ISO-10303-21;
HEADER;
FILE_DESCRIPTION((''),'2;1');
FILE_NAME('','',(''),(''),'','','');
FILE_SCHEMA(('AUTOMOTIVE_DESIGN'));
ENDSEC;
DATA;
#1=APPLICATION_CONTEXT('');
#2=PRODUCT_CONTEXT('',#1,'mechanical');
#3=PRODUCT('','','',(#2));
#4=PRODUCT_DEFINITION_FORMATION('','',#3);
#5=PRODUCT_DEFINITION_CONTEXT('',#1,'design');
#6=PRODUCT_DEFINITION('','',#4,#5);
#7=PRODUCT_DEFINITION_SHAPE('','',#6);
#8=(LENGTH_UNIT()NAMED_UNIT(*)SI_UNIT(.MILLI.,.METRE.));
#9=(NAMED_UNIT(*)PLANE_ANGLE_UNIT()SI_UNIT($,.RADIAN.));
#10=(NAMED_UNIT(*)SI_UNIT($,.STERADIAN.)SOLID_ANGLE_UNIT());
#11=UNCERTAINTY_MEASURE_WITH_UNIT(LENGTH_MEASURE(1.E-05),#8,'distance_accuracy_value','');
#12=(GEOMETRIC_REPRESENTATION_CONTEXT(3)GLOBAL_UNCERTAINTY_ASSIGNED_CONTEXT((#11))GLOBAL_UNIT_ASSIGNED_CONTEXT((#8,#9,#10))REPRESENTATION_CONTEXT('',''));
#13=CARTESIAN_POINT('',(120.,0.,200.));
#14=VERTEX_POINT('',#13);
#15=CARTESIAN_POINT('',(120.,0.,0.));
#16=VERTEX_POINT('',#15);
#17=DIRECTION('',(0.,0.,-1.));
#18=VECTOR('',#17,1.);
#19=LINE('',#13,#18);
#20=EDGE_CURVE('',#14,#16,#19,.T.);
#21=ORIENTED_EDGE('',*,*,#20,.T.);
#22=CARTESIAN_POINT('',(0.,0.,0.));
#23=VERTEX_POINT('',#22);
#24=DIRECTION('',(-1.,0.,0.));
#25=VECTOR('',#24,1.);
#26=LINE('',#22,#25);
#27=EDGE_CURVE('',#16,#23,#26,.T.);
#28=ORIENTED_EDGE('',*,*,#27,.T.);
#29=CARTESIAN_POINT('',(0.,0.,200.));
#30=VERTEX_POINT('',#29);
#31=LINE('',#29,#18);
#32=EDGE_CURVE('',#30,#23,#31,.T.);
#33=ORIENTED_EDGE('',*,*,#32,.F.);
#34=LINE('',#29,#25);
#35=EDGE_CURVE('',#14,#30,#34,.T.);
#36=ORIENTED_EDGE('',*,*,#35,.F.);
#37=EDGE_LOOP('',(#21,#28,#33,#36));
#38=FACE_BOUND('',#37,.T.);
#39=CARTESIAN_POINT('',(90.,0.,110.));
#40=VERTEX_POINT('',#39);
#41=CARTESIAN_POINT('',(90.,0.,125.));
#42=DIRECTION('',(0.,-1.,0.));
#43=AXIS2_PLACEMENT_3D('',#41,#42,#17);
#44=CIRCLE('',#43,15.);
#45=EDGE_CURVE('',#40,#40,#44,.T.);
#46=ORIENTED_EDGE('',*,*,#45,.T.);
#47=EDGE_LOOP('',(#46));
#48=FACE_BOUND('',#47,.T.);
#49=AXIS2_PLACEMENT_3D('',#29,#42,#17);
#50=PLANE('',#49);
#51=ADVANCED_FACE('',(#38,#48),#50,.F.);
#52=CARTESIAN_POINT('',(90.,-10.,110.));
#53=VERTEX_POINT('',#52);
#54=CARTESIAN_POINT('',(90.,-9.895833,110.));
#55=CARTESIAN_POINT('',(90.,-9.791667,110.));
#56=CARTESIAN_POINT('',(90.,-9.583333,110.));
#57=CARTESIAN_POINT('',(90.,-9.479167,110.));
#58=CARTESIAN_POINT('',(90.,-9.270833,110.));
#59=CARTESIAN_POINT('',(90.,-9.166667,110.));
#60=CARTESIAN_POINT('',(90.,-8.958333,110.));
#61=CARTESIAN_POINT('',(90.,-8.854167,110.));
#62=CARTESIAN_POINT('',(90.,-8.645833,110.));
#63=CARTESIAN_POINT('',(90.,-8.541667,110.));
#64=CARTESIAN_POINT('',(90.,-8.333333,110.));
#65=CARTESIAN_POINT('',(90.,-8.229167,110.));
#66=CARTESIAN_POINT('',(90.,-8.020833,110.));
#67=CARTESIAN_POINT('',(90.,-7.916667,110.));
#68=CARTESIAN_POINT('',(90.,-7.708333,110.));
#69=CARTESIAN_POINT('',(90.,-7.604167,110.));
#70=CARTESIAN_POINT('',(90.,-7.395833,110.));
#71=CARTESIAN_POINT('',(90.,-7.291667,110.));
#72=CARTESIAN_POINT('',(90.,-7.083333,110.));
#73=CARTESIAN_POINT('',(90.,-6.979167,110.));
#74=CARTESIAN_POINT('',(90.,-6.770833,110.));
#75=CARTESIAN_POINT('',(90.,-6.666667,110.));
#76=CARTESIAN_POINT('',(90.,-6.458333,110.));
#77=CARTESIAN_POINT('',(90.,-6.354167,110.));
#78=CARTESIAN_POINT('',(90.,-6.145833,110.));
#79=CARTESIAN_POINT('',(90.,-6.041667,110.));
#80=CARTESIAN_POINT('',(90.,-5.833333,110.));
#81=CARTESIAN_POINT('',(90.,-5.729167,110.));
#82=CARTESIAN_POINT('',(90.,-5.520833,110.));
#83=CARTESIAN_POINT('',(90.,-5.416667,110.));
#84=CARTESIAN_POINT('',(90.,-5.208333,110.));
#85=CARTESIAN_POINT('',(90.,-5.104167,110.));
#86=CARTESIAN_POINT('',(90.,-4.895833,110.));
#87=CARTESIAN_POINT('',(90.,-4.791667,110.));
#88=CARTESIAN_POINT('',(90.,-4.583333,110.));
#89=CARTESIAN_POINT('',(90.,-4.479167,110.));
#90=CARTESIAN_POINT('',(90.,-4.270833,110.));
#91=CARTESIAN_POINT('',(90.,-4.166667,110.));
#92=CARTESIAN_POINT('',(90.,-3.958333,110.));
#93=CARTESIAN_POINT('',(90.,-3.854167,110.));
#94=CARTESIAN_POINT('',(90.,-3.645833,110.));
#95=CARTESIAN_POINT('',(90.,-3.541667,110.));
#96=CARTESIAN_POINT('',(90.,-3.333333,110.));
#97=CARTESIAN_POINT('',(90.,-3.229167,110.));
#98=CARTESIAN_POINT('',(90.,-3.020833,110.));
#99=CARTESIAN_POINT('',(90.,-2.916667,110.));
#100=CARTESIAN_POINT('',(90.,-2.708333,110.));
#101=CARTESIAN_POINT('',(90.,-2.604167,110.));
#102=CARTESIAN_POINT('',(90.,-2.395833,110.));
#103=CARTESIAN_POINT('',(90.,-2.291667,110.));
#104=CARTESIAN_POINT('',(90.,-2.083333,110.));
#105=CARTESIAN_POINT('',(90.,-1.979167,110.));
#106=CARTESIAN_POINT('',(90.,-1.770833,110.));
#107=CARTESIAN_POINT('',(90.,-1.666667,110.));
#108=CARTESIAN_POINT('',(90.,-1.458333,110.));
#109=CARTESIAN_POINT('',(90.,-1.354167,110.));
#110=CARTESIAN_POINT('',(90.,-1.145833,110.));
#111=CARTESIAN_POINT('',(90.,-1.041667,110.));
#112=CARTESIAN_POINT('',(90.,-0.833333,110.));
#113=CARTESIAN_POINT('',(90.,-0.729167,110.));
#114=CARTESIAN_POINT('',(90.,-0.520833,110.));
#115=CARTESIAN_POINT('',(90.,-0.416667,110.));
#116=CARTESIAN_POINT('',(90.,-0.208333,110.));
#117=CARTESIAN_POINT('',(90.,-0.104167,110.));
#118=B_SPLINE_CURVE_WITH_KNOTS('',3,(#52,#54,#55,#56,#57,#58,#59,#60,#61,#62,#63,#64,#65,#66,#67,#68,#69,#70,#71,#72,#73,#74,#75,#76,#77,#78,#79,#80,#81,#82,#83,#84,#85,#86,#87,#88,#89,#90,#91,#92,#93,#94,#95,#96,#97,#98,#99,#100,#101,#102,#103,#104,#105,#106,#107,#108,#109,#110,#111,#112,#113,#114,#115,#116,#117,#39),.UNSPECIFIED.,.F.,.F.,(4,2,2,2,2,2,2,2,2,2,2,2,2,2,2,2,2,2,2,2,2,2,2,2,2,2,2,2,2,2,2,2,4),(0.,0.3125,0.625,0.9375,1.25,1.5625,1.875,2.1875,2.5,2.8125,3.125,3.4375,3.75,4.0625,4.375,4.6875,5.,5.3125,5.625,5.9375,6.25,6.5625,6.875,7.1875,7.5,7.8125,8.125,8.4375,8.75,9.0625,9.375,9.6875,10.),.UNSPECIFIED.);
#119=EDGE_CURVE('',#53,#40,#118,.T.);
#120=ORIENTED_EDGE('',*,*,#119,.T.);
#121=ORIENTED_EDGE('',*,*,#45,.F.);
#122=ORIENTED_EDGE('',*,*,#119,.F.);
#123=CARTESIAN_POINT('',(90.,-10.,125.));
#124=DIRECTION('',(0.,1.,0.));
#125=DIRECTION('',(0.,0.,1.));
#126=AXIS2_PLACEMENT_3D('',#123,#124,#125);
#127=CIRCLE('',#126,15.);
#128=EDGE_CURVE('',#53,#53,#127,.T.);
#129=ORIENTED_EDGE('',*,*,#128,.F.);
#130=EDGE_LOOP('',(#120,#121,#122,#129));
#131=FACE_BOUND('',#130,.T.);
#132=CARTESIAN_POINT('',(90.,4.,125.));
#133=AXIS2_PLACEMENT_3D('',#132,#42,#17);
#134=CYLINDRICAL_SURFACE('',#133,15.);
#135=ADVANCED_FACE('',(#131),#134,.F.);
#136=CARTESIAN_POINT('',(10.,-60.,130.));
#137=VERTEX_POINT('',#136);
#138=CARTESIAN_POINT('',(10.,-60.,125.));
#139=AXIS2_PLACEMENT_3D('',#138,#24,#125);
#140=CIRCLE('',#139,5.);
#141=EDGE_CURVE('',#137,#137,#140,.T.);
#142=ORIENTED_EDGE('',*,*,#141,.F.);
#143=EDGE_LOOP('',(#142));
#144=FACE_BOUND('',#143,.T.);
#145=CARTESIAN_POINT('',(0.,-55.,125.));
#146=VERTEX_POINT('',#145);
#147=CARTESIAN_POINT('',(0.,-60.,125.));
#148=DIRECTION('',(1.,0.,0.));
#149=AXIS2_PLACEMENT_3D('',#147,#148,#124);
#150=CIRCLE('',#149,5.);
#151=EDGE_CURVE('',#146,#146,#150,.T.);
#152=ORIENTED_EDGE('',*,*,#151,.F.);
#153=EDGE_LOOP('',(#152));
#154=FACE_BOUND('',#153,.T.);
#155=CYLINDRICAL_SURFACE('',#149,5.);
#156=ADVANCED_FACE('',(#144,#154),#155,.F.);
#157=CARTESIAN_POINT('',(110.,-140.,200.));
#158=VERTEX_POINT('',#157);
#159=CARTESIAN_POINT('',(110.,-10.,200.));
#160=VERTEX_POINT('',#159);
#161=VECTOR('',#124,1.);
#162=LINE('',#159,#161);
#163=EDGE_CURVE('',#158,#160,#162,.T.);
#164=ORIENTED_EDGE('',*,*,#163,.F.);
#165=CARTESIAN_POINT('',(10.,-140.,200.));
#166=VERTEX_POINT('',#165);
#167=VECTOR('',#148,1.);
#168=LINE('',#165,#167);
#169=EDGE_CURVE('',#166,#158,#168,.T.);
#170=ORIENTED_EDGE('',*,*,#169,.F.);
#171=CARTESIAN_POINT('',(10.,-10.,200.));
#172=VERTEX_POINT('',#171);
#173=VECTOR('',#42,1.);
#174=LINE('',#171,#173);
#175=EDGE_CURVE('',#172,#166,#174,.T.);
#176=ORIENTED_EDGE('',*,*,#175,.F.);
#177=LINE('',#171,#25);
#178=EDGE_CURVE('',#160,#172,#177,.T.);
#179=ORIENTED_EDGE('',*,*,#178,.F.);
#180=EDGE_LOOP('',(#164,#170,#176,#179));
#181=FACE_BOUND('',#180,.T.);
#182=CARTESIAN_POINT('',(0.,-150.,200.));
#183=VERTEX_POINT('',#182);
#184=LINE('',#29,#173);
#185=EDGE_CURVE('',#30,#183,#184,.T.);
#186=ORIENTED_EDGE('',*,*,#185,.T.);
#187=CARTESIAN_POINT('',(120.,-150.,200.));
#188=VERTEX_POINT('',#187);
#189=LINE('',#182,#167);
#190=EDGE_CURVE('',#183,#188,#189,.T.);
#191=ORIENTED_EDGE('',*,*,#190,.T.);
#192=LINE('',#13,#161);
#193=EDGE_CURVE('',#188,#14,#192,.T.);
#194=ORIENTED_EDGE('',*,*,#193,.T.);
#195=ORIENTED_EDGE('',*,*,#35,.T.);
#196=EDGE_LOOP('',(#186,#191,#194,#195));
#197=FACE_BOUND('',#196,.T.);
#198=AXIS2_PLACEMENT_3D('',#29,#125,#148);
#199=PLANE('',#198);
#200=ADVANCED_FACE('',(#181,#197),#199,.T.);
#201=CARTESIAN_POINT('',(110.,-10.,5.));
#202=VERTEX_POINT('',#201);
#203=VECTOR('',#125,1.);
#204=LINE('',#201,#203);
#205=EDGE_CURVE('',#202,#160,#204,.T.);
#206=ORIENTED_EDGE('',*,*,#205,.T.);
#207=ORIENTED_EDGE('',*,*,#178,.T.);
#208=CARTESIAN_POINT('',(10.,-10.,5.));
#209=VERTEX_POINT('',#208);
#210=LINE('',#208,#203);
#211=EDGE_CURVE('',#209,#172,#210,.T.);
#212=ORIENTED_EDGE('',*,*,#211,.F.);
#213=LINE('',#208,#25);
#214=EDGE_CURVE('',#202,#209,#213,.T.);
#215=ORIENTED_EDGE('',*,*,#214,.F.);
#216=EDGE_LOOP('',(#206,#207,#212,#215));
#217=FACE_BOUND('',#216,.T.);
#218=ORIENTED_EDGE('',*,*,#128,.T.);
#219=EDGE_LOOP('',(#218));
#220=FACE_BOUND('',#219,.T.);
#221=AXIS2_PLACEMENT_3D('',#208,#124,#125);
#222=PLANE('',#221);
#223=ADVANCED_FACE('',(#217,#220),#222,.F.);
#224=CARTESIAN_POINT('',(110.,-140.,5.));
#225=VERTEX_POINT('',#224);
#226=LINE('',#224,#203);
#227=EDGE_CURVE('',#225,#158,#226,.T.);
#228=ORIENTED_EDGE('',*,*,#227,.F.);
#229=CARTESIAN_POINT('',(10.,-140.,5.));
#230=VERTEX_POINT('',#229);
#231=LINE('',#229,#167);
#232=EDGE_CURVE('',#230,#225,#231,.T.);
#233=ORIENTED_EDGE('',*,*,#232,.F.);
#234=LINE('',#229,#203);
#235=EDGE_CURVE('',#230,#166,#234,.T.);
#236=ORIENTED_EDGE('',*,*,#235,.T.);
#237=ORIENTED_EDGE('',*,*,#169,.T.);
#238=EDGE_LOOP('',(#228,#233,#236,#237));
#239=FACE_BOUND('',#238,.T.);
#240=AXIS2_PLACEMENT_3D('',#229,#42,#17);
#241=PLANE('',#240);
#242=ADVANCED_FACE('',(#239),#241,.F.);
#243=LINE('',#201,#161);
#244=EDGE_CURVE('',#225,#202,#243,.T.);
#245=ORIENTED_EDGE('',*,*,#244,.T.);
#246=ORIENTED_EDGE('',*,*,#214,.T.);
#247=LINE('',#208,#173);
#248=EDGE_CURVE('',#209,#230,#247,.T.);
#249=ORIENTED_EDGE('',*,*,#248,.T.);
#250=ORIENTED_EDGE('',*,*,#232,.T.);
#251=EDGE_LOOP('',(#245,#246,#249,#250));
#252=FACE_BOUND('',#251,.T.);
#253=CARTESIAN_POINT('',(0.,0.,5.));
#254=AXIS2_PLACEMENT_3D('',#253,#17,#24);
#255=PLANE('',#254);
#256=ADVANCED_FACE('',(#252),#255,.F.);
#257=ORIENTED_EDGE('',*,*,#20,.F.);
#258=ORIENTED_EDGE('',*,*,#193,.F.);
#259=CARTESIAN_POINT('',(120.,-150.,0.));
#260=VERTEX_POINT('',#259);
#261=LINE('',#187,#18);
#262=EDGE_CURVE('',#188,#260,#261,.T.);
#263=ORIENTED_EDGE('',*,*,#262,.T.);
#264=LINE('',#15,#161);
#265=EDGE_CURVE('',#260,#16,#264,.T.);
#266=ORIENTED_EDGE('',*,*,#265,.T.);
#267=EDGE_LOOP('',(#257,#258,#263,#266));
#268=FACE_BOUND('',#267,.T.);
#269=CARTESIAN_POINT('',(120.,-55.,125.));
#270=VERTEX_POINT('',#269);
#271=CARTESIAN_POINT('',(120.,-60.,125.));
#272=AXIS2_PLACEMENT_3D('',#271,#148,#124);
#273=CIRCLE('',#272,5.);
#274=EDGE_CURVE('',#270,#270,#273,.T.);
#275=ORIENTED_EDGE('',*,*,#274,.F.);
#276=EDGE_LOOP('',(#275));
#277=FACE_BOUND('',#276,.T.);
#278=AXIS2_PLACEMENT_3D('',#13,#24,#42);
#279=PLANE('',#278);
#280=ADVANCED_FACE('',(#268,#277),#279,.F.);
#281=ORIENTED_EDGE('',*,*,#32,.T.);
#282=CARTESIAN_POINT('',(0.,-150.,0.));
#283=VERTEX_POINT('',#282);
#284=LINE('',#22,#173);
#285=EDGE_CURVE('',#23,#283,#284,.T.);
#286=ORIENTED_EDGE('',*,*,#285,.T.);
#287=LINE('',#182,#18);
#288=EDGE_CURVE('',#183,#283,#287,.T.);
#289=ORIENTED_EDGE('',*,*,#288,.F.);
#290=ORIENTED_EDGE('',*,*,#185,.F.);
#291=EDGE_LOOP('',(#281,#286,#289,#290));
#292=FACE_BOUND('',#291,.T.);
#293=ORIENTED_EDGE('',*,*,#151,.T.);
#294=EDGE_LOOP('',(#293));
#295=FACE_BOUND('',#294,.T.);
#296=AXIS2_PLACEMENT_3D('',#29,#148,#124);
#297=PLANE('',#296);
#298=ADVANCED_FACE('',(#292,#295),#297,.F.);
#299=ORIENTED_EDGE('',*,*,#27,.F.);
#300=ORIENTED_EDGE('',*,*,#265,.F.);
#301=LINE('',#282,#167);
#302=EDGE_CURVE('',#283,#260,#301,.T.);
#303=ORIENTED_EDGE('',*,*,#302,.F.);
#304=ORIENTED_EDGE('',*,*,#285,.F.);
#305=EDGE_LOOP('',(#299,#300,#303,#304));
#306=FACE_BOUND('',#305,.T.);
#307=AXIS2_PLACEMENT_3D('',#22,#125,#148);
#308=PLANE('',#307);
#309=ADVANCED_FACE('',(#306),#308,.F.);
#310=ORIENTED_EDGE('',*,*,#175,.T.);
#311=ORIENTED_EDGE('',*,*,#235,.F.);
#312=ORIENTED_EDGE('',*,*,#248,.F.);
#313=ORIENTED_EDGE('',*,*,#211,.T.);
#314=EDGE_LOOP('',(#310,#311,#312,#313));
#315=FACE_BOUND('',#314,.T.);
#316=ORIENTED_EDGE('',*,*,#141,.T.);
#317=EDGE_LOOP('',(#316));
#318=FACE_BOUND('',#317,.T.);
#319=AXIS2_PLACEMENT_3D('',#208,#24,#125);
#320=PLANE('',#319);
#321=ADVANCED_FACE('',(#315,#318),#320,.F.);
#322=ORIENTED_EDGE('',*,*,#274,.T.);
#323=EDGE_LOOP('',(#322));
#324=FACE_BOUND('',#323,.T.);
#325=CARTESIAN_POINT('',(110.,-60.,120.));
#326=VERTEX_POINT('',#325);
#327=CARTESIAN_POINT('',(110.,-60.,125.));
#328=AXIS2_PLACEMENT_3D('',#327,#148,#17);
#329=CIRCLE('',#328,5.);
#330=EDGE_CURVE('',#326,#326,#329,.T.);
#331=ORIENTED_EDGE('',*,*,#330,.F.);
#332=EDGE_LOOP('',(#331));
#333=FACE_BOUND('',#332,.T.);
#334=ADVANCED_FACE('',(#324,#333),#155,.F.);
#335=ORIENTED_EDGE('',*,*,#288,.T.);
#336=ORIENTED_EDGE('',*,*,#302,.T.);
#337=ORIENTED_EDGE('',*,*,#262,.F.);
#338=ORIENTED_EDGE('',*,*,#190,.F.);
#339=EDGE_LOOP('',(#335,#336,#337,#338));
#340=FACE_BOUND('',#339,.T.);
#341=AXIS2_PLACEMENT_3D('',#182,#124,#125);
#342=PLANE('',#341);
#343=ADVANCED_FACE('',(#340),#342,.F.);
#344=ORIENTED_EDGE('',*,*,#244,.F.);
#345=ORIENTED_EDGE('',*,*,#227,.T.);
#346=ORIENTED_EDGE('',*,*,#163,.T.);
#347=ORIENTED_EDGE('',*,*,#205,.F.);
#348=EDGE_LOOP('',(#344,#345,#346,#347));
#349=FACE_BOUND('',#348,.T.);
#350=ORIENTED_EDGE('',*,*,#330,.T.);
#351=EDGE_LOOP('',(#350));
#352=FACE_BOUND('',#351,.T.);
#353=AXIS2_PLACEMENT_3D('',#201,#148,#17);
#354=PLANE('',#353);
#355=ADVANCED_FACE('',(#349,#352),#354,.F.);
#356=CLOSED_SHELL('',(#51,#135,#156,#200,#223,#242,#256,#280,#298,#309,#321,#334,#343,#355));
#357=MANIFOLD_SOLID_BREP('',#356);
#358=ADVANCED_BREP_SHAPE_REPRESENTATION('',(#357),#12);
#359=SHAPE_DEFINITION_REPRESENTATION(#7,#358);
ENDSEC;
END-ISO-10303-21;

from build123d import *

# Parameters (mm, degrees)
SKETCH1_W           = 120
SKETCH1_H           = 150
BOSS_EXTRUDE1_DEPTH = 200
SKETCH2_W           = 100
SKETCH2_H           = 130
CUT_EXTRUDE1_DEPTH  = 195
SKETCH3_R           = 5
CUT_EXTRUDE2_DEPTH  = 120
CUT_EXTRUDE3_START  = -130
SKETCH4_R           = 15
CUT_EXTRUDE3_DEPTH  = 24


with BuildPart() as part:
    # Sketch1 → Boss-Extrude1 (new body)
    with BuildSketch(Plane.XY):
        with Locations((60, -75)):
            Rectangle(SKETCH1_W, SKETCH1_H)
    extrude(amount=BOSS_EXTRUDE1_DEPTH)

    # Sketch2 → Cut-Extrude1 (cut)
    with BuildSketch(Plane.XY.offset(200)):
        with Locations((60, -75)):
            Rectangle(SKETCH2_W, SKETCH2_H)
    extrude(amount=-CUT_EXTRUDE1_DEPTH, mode=Mode.SUBTRACT)

    # Sketch3 → Cut-Extrude2 (cut)
    with BuildSketch(Plane(origin=(120, 0, 0), x_dir=(0, 0, -1), z_dir=(1, 0, 0))):
        with Locations(Location((-125, -60, 0), (0, 0, 90))):
            Circle(SKETCH3_R)
    extrude(amount=-CUT_EXTRUDE2_DEPTH, mode=Mode.SUBTRACT)

    # Sketch4 → Cut-Extrude3 (cut)
    with BuildSketch(Plane.XZ.offset(150).offset(CUT_EXTRUDE3_START)):
        with Locations(Location((90, 125, 0), (0, 0, 270))):
            Circle(SKETCH4_R)
    extrude(amount=-CUT_EXTRUDE3_DEPTH, mode=Mode.SUBTRACT)


solid = part.part
